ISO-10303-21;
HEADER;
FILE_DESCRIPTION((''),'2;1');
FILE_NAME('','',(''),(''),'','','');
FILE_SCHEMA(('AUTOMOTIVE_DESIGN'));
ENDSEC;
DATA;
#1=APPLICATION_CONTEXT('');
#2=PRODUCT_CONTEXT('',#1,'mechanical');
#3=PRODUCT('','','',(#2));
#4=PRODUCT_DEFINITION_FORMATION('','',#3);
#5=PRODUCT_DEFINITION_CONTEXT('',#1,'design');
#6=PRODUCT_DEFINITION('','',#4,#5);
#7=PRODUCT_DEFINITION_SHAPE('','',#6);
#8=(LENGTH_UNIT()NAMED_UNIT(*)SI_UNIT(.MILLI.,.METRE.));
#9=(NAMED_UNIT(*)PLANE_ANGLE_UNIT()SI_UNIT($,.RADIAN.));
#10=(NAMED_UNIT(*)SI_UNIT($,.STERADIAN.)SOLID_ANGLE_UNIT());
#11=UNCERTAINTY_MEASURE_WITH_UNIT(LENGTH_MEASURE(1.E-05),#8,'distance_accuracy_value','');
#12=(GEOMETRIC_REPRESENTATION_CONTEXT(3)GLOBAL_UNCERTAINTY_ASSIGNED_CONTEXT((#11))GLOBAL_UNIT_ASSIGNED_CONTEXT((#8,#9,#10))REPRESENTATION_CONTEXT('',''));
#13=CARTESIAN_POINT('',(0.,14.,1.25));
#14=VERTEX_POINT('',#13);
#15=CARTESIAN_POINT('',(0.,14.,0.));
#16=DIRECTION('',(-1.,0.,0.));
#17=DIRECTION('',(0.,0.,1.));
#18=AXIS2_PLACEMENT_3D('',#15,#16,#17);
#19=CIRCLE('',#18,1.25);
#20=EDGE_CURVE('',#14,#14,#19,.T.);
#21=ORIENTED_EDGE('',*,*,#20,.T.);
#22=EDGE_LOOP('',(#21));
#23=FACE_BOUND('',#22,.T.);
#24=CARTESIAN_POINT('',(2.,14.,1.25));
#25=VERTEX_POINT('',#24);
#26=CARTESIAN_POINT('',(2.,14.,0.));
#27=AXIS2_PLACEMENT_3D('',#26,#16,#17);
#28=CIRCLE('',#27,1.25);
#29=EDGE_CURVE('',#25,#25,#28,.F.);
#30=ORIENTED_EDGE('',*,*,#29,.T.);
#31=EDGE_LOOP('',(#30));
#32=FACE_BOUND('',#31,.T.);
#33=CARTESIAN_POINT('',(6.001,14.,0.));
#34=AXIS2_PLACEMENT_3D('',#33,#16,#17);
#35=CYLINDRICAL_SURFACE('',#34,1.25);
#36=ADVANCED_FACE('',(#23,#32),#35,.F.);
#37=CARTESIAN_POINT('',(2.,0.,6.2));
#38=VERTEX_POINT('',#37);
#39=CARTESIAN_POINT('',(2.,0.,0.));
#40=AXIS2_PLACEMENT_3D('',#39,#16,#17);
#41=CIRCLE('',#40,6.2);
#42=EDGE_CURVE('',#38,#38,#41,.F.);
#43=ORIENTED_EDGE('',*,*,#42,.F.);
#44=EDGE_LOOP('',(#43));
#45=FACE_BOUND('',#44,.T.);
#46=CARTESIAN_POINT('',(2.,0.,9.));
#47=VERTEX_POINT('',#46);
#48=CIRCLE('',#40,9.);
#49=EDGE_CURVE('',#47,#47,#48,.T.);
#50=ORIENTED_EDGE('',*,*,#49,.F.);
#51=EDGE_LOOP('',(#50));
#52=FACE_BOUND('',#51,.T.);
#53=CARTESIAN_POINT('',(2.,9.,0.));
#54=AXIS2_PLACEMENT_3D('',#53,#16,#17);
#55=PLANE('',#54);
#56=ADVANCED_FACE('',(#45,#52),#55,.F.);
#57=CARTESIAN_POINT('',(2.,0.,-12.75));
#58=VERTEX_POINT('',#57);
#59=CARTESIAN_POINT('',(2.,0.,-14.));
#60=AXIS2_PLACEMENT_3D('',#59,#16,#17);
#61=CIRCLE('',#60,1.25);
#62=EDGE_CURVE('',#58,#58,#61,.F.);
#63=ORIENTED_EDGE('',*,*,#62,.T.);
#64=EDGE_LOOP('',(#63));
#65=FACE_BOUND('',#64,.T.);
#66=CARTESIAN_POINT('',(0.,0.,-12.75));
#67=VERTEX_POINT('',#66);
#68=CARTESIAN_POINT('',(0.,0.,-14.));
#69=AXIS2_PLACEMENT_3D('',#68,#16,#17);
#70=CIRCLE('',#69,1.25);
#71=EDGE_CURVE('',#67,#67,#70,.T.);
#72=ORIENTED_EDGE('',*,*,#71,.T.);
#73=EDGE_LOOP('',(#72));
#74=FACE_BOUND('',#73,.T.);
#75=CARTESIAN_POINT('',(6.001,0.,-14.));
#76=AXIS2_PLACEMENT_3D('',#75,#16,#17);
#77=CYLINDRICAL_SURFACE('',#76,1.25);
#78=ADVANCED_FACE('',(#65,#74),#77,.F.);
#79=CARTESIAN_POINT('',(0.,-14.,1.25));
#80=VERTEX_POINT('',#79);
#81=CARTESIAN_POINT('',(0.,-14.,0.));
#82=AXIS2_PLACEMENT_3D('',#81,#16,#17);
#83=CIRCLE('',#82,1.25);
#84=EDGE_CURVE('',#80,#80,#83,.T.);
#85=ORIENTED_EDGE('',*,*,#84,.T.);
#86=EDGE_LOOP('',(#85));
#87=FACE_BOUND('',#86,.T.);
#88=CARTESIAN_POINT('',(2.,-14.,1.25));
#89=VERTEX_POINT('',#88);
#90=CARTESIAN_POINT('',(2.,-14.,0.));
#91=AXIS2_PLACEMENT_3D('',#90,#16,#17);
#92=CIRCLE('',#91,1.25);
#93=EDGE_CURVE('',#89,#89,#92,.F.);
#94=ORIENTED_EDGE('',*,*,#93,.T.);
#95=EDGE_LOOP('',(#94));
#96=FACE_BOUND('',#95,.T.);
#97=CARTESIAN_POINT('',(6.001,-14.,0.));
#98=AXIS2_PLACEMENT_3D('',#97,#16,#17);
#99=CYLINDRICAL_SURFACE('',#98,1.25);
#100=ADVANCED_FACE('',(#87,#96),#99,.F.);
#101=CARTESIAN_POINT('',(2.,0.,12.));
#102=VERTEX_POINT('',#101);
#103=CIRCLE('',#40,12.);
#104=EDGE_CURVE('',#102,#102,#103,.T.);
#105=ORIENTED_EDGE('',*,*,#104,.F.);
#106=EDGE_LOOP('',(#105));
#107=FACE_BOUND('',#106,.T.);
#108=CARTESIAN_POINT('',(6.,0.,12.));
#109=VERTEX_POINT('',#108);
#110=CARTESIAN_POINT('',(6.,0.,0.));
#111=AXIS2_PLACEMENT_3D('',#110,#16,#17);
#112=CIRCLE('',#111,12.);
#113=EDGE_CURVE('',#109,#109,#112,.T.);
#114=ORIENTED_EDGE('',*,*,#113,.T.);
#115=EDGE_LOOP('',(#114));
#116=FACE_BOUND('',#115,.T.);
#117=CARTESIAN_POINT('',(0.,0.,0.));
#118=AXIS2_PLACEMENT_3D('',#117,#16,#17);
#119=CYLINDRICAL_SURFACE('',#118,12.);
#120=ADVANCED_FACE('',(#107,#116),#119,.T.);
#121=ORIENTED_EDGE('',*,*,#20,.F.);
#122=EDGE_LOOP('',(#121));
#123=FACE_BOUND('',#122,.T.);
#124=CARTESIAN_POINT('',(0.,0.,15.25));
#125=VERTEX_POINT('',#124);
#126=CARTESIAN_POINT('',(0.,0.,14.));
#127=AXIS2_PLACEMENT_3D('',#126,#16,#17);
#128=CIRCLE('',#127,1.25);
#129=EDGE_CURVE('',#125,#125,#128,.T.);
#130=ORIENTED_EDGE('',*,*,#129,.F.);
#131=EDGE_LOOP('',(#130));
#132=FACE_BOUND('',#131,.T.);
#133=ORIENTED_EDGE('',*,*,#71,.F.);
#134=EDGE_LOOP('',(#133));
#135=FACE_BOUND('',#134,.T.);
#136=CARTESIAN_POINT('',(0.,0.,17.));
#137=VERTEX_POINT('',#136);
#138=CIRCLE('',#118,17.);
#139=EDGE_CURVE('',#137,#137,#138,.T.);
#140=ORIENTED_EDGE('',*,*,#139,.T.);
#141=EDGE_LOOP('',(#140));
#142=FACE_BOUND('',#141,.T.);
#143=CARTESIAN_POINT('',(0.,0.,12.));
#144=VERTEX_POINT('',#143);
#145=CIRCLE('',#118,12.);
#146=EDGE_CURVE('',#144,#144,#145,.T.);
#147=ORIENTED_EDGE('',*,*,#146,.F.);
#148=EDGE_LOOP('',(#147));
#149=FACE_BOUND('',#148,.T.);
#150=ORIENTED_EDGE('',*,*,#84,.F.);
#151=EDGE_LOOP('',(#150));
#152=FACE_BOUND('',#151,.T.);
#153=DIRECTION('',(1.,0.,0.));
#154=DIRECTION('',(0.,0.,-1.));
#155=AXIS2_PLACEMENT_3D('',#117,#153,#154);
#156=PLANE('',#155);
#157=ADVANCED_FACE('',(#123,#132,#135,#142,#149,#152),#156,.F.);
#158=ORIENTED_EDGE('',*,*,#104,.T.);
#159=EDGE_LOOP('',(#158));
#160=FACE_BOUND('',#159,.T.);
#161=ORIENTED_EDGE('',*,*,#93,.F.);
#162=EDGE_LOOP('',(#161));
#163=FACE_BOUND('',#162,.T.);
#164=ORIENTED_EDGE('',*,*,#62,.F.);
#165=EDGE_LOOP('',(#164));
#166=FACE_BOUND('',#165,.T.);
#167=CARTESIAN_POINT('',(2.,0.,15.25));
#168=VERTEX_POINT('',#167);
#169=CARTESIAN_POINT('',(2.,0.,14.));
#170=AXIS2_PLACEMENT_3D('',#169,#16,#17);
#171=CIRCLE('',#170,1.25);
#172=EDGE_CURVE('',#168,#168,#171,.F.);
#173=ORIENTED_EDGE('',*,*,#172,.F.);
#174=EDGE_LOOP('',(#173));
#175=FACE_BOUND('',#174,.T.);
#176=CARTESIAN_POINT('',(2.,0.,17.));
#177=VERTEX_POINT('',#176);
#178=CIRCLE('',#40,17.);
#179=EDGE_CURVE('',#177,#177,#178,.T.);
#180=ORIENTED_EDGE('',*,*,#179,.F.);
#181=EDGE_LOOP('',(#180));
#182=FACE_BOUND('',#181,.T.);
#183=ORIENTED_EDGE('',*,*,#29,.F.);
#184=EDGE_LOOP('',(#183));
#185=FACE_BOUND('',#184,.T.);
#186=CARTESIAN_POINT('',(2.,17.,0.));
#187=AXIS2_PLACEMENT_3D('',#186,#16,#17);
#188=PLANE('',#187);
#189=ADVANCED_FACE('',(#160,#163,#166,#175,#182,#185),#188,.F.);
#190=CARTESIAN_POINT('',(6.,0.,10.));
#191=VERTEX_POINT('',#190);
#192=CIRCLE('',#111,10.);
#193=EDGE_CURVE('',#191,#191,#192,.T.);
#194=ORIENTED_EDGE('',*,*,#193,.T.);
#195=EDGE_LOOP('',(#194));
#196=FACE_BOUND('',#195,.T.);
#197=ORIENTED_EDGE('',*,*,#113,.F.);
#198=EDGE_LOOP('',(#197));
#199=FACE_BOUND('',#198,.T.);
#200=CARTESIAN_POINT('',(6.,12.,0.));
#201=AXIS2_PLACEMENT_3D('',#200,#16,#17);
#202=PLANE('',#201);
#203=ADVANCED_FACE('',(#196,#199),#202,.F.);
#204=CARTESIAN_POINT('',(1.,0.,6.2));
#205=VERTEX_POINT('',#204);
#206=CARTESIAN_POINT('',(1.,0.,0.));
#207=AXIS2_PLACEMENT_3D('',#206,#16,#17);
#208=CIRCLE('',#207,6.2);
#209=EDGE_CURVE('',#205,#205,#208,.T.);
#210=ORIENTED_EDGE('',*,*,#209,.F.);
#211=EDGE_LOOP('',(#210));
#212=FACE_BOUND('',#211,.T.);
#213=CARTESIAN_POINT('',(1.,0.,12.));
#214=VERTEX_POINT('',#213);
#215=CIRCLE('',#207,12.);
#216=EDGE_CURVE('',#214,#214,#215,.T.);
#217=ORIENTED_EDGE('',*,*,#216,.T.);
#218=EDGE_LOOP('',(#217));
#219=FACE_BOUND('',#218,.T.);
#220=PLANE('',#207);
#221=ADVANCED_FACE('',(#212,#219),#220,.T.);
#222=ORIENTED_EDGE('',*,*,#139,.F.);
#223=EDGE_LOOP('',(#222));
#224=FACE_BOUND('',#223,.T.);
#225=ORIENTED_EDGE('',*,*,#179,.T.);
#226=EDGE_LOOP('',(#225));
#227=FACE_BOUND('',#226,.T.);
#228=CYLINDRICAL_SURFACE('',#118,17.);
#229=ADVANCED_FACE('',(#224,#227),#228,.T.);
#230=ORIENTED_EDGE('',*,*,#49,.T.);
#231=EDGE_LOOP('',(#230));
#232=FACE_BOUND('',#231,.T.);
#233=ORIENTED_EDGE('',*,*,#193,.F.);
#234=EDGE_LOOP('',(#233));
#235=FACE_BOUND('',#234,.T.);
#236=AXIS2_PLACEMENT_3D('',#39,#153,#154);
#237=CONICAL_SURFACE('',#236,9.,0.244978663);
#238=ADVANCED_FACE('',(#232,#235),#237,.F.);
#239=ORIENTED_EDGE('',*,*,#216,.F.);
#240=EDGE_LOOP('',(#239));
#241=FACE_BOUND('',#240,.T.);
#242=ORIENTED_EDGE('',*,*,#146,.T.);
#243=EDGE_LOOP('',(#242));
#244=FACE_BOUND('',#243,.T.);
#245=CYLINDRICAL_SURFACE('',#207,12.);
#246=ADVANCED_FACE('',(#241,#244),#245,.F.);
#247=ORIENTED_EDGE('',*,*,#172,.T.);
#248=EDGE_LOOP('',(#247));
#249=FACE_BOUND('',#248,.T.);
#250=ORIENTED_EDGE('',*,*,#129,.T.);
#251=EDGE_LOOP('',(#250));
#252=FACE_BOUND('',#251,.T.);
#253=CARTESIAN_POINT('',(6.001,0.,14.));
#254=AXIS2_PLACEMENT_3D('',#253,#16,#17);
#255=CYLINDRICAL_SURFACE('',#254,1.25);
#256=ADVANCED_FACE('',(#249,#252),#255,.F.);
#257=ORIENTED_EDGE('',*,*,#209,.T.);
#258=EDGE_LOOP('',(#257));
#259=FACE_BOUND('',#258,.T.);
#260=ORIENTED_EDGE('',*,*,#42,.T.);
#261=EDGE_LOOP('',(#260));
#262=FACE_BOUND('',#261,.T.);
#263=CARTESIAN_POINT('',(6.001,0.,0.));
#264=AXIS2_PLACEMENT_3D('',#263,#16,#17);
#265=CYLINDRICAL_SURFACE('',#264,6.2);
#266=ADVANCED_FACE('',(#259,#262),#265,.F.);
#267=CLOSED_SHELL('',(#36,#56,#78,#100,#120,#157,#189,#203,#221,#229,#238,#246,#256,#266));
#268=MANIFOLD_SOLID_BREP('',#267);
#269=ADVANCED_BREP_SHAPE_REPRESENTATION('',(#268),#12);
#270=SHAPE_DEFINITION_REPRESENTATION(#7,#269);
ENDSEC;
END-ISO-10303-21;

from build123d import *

# Parameters (mm, degrees)
CUT_EXTRUDE3_REACH = 8
SKETCH4_R          = 1.25
SKETCH2_R          = 12
CUT_EXTRUDE4_DEPTH = 1
CUT_EXTRUDE5_REACH = 7
SKETCH5_R          = 6.2


with BuildPart() as part:
    # Sketch1 → Revolve1 (revolve)
    with BuildSketch(Plane.XY):
        Polygon((0, 0), (0, 17), (2, 17), (2, 12), (6, 12), (6, 10), (2, 9), (2, 0), align=None)
    revolve(axis=Axis((0, 0, 0), (1, 0, 0)))

    # Sketch4 → Cut-Extrude3 (cut, up to next)
    with BuildSketch(Plane.ZY, mode=Mode.PRIVATE) as cut_extrude3_sk1:
        with Locations((0, 14)):
            Circle(SKETCH4_R)
    cut_extrude3_tool1 = extrude(cut_extrude3_sk1.sketch, amount=-CUT_EXTRUDE3_REACH, mode=Mode.PRIVATE) & part.part
    add(cut_extrude3_tool1.solids().sort_by_distance((0, 14, 0))[0], mode=Mode.SUBTRACT)
    # Sketch4 → Cut-Extrude3 (cut, up to next)
    with BuildSketch(Plane.ZY, mode=Mode.PRIVATE) as cut_extrude3_sk2:
        with Locations((14, 0)):
            Circle(SKETCH4_R)
    cut_extrude3_tool2 = extrude(cut_extrude3_sk2.sketch, amount=-CUT_EXTRUDE3_REACH, mode=Mode.PRIVATE) & part.part
    add(cut_extrude3_tool2.solids().sort_by_distance((0, 0, 14))[0], mode=Mode.SUBTRACT)
    # Sketch4 → Cut-Extrude3 (cut, up to next)
    with BuildSketch(Plane.ZY, mode=Mode.PRIVATE) as cut_extrude3_sk3:
        with Locations((0, -14)):
            Circle(SKETCH4_R)
    cut_extrude3_tool3 = extrude(cut_extrude3_sk3.sketch, amount=-CUT_EXTRUDE3_REACH, mode=Mode.PRIVATE) & part.part
    add(cut_extrude3_tool3.solids().sort_by_distance((0, -14, 0))[0], mode=Mode.SUBTRACT)
    # Sketch4 → Cut-Extrude3 (cut, up to next)
    with BuildSketch(Plane.ZY, mode=Mode.PRIVATE) as cut_extrude3_sk4:
        with Locations((-14, 0)):
            Circle(SKETCH4_R)
    cut_extrude3_tool4 = extrude(cut_extrude3_sk4.sketch, amount=-CUT_EXTRUDE3_REACH, mode=Mode.PRIVATE) & part.part
    add(cut_extrude3_tool4.solids().sort_by_distance((0, 0, -14))[0], mode=Mode.SUBTRACT)

    # Sketch2 → Cut-Extrude4 (cut)
    with BuildSketch(Plane.ZY):
        Circle(SKETCH2_R)
    extrude(amount=-CUT_EXTRUDE4_DEPTH, mode=Mode.SUBTRACT)

    # Sketch5 → Cut-Extrude5 (cut, up to next)
    with BuildSketch(Plane.ZY.offset(-1), mode=Mode.PRIVATE) as cut_extrude5_sk1:
        Circle(SKETCH5_R)
    cut_extrude5_tool1 = extrude(cut_extrude5_sk1.sketch, amount=-CUT_EXTRUDE5_REACH, mode=Mode.PRIVATE) & part.part
    add(cut_extrude5_tool1.solids().sort_by_distance((1, 0, 0))[0], mode=Mode.SUBTRACT)


solid = part.part
